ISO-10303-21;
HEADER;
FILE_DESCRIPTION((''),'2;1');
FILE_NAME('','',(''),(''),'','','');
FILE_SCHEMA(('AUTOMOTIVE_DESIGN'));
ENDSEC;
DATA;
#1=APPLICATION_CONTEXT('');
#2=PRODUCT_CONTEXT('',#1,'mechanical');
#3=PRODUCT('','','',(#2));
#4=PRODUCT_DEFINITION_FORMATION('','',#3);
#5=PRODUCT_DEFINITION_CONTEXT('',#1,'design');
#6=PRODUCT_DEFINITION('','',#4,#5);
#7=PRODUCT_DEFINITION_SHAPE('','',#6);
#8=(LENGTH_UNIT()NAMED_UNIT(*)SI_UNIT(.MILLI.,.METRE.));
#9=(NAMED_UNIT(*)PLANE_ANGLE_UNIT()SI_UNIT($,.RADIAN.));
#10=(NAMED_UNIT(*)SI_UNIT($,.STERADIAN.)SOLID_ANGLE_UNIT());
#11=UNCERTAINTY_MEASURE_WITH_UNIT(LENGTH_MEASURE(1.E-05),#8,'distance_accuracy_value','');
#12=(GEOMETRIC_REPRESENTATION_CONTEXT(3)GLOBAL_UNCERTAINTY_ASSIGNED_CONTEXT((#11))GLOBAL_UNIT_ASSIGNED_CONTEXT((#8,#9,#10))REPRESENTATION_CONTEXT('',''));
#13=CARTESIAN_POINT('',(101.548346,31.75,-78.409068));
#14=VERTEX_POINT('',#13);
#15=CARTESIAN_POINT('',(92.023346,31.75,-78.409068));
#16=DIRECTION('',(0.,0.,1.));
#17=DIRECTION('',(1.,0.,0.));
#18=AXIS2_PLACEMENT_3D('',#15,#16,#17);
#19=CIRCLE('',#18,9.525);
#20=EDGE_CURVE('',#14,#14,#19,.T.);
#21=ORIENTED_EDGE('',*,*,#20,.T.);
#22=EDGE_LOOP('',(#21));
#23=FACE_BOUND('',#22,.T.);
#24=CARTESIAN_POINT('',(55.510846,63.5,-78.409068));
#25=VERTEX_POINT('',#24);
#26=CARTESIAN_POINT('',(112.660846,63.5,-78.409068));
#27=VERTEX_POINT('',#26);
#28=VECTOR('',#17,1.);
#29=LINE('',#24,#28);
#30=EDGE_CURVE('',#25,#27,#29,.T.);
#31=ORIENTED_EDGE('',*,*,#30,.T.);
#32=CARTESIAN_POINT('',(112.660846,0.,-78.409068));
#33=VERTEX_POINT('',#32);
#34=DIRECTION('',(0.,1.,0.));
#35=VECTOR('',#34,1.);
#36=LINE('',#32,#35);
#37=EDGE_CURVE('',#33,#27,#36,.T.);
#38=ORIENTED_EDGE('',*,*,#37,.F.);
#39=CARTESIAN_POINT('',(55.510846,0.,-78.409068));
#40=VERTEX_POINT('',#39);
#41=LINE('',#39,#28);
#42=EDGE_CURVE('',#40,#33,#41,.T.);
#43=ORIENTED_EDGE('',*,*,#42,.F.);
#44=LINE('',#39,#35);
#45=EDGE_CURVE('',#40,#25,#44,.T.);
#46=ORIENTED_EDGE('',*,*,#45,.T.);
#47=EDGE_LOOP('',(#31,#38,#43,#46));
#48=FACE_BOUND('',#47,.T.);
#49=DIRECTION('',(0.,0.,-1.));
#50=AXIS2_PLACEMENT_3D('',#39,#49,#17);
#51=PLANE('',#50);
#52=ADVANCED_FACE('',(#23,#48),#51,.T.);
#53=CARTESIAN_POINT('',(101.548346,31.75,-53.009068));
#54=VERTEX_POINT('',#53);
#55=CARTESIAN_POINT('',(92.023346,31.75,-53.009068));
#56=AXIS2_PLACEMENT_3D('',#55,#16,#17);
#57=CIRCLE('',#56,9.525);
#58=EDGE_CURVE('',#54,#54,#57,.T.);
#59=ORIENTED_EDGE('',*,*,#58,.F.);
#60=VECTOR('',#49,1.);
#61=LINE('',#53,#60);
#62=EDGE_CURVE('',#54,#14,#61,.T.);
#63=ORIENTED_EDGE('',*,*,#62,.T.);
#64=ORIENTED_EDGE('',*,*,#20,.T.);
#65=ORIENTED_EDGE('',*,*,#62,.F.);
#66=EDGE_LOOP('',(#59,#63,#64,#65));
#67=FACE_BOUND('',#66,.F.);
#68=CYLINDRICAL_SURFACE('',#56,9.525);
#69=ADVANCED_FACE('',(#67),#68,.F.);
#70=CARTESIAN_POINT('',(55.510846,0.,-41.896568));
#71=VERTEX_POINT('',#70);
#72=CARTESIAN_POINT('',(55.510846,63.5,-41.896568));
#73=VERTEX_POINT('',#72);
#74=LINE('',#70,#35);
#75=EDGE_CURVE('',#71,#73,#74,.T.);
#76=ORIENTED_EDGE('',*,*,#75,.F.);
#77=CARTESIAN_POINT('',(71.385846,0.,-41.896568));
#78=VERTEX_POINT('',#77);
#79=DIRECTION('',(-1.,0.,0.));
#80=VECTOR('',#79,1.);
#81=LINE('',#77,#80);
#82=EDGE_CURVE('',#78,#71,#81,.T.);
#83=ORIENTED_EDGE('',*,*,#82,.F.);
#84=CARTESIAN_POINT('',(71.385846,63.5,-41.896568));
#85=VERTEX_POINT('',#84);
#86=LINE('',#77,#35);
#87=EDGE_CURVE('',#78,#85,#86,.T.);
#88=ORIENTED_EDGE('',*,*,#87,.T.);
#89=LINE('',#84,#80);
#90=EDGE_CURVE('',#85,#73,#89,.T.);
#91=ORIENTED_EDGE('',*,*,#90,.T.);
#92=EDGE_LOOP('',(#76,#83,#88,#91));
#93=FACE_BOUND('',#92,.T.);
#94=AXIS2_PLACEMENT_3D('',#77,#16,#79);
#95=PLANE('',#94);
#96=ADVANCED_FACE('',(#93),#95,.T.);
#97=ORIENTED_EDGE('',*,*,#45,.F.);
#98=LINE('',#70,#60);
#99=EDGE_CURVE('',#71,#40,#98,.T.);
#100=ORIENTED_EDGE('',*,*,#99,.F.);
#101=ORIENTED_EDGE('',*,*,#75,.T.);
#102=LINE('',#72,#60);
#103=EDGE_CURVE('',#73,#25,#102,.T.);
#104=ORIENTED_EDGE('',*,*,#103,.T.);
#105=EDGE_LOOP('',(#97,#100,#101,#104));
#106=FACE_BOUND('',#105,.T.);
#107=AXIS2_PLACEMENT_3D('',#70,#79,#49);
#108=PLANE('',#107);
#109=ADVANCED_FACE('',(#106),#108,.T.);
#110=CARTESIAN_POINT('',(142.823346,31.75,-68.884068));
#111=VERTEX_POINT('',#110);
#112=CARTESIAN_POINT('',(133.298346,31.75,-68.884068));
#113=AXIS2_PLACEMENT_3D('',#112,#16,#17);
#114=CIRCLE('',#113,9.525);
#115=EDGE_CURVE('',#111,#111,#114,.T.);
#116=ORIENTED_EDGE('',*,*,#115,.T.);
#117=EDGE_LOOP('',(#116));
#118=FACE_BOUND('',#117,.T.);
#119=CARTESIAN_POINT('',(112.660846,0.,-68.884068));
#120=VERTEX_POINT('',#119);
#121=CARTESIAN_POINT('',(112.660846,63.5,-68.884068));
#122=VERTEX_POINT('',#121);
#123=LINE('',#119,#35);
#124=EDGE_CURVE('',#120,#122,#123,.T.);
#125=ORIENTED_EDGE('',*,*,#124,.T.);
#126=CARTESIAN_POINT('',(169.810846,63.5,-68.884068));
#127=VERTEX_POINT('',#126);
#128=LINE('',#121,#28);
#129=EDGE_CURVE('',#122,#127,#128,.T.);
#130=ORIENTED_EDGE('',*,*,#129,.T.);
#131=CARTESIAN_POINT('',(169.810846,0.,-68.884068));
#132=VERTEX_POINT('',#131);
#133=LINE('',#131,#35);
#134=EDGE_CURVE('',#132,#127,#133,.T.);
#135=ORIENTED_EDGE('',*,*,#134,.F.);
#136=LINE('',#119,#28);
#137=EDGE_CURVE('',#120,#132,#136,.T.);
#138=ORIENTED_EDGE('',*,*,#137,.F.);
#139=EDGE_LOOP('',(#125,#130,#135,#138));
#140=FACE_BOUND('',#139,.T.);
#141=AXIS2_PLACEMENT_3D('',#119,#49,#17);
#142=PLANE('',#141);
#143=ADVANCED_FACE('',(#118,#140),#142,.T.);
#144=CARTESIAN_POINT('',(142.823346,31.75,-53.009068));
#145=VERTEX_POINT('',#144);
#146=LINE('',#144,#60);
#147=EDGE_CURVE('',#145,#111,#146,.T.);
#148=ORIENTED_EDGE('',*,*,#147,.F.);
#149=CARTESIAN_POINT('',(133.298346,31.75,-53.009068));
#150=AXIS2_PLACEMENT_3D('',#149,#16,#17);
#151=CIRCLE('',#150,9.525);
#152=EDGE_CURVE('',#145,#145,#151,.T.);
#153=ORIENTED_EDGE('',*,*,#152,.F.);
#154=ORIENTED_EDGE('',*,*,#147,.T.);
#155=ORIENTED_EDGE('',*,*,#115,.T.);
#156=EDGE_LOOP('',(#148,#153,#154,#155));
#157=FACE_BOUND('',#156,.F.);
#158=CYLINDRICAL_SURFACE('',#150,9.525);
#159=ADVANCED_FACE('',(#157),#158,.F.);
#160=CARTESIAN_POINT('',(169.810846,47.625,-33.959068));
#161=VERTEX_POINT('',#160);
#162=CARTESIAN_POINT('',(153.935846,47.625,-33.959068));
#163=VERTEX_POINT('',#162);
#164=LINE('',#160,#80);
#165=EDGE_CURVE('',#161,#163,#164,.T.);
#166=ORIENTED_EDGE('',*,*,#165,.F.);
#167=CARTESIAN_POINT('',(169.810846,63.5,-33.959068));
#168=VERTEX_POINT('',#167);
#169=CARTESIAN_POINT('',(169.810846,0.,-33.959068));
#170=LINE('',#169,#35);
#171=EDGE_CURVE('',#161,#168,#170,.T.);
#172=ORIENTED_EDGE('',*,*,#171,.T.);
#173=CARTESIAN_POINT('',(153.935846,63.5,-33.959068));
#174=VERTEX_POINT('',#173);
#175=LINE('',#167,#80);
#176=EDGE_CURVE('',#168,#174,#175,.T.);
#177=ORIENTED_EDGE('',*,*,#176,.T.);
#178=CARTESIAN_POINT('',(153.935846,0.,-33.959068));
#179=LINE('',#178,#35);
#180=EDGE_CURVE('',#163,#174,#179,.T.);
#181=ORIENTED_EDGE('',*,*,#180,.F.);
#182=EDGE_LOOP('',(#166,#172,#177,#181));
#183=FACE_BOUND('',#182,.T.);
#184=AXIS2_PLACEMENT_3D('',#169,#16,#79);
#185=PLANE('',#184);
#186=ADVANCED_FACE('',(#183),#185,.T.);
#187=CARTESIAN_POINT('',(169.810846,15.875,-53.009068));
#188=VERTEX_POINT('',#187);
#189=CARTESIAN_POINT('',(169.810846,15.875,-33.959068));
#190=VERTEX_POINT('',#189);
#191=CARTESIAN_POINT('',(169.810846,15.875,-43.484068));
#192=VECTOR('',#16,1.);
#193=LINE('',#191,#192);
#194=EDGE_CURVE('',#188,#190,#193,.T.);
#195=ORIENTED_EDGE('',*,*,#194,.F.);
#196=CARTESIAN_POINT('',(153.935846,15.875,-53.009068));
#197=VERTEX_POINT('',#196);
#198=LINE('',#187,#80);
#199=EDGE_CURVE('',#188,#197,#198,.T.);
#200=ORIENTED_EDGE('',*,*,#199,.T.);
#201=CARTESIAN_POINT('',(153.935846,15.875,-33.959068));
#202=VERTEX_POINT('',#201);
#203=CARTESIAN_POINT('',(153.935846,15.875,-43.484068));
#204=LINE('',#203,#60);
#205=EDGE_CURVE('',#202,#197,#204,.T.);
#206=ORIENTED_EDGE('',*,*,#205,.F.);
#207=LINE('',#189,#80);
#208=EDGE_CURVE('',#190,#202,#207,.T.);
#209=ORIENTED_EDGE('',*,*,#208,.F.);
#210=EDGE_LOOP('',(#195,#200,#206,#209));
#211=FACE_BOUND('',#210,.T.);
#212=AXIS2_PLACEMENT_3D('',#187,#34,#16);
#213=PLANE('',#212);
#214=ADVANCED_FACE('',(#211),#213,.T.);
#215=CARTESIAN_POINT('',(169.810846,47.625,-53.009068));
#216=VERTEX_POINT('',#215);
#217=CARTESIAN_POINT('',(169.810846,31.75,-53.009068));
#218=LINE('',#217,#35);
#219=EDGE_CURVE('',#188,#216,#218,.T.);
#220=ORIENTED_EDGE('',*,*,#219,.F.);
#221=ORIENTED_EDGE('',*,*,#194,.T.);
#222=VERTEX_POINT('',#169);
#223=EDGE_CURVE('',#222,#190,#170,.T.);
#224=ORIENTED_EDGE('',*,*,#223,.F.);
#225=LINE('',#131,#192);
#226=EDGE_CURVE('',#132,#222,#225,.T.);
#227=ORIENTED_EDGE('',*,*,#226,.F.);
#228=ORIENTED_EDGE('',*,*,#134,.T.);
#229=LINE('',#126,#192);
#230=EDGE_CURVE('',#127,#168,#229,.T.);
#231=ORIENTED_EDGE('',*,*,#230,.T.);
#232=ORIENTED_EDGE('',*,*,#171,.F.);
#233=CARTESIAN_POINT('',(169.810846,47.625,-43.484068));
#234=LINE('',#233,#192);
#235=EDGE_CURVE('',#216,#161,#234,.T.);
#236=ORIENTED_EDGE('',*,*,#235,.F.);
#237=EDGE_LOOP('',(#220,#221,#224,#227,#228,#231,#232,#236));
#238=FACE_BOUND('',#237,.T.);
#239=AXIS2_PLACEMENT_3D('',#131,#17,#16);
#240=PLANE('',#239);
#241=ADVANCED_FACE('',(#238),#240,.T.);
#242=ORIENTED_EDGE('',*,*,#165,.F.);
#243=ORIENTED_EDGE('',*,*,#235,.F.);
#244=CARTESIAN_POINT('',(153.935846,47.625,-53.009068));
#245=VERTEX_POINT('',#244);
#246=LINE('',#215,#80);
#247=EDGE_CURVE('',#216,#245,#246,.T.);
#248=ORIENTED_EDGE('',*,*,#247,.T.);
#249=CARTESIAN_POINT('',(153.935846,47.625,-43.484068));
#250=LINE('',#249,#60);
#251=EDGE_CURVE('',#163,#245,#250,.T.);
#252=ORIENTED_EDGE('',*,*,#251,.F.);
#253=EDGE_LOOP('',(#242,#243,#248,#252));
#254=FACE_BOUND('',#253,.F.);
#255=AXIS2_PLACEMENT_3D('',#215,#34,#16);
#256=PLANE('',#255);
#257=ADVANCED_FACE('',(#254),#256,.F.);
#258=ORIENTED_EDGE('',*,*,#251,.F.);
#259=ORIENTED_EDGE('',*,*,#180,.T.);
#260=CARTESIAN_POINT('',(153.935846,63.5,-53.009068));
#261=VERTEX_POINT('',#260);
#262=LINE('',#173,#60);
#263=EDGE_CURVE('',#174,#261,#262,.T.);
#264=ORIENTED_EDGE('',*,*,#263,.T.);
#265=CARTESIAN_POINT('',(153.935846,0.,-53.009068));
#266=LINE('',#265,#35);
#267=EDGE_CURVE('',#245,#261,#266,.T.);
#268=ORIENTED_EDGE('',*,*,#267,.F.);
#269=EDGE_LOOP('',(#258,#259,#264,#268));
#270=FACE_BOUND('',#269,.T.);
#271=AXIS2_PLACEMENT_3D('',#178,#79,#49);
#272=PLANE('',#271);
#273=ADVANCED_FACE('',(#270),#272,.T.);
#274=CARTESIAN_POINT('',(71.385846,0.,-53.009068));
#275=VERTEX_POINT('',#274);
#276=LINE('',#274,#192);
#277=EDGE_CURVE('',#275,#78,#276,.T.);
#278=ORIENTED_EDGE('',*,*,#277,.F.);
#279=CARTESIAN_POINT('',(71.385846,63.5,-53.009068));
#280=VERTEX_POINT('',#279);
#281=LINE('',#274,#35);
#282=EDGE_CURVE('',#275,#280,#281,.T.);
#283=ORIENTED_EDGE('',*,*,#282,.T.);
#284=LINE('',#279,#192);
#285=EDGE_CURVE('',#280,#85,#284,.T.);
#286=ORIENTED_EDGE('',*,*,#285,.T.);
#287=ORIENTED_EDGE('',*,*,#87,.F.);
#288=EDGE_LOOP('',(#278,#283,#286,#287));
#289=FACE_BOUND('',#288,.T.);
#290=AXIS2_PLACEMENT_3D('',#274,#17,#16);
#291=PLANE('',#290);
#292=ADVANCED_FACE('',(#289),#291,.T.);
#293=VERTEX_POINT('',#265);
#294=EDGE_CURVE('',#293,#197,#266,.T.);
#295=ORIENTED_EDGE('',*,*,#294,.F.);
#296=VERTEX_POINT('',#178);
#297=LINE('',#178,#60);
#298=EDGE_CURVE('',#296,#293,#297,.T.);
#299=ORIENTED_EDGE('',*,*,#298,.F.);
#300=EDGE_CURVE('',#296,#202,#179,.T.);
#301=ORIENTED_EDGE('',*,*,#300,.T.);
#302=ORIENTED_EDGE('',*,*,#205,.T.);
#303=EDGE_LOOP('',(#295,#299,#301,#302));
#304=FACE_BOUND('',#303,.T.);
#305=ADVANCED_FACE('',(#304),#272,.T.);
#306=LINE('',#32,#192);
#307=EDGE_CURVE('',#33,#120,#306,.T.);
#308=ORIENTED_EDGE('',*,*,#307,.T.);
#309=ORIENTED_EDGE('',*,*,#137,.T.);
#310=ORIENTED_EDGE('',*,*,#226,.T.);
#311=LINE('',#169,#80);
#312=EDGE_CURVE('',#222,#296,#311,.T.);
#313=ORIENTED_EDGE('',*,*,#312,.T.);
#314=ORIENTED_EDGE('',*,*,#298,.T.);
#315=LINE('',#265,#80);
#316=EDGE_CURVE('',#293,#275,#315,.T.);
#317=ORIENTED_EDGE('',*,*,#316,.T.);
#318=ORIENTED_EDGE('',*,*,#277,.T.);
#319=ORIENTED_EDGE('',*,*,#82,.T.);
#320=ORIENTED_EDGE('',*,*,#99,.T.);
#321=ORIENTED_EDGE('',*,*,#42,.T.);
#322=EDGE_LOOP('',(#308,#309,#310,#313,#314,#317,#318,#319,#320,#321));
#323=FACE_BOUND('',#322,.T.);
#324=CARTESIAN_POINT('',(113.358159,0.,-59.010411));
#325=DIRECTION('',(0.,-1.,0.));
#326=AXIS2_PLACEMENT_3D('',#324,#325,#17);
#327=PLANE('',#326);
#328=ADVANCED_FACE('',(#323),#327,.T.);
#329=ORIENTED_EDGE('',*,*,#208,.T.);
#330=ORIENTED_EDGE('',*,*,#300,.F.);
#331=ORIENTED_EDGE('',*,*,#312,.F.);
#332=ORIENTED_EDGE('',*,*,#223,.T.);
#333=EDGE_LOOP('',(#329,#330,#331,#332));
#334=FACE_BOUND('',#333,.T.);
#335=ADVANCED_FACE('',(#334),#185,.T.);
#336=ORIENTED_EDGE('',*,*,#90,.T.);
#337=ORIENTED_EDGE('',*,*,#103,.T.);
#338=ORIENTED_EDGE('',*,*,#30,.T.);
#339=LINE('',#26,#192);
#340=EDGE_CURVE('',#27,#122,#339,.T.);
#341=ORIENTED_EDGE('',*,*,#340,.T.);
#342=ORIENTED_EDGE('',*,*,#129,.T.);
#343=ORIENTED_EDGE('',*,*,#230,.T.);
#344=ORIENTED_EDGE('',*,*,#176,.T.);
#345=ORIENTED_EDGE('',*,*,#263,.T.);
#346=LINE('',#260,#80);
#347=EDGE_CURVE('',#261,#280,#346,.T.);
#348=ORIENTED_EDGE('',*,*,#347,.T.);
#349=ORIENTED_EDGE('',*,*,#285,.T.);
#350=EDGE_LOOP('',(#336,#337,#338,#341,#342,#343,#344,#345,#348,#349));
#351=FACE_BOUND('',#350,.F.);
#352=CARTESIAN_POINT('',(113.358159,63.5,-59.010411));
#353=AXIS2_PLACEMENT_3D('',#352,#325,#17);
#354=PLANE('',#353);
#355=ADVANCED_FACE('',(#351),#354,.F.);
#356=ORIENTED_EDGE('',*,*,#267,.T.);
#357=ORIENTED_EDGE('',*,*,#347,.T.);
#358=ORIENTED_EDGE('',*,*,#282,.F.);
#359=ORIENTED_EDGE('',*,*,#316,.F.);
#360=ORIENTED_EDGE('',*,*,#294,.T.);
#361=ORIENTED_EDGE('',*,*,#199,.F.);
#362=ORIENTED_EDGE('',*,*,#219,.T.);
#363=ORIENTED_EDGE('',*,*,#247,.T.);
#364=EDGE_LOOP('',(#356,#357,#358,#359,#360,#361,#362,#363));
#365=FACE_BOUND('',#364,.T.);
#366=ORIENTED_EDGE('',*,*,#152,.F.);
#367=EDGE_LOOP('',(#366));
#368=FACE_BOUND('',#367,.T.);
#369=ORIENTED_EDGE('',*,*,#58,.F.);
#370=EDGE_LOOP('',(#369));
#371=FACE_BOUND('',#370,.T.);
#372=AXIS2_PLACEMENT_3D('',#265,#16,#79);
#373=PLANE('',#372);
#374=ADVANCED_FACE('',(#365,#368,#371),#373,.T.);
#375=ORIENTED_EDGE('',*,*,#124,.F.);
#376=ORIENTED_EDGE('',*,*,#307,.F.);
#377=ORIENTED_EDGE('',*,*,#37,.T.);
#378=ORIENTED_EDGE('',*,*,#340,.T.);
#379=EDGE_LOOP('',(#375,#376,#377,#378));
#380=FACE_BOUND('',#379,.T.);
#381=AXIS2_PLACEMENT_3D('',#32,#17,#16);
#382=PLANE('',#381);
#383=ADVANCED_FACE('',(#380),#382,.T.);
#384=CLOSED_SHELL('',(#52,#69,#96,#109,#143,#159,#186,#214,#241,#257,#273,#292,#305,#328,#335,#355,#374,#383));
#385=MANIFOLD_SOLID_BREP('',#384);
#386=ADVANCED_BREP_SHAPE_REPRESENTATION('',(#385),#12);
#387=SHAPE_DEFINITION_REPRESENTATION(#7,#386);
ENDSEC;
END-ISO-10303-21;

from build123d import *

# Parameters (mm, degrees)
F1_DEPTH = 63.5
F2_W     = 31.75
F2_H     = 19.05
F3_DEPTH = 25.4
F4_R     = 9.525
F5_DEPTH = 25.401


with BuildPart() as f1:
    # F0 (on Front) → F1 (new body)
    with BuildSketch(Plane.XZ):
        Polygon((71.385846, -41.896568), (55.510846, -41.896568), (55.510846, -60.946568), (55.510846, -78.409068), (112.660846, -78.409068), (112.660846, -68.884068), (169.810846, -68.884068), (169.810846, -53.009068), (169.810846, -33.959068), (153.935846, -33.959068), (153.935846, -53.009068), (71.385846, -53.009068), align=None)
    extrude(amount=-F1_DEPTH)

    # F2 (on face) → F3 (cut)
    with BuildSketch(Plane.YZ.offset(169.810846)):
        with Locations((31.75, -43.484068)):
            Rectangle(F2_W, F2_H)
    extrude(amount=-F3_DEPTH, mode=Mode.SUBTRACT)

    # F4 (on face) → F5 (cut, through all)
    with BuildSketch(Plane.XY.offset(-53.009068)):
        with Locations((92.023346, 31.75)):
            Circle(F4_R)
        with Locations((133.298346, 31.75)):
            Circle(F4_R)
    extrude(amount=-F5_DEPTH, mode=Mode.SUBTRACT)


solid = f1.part
